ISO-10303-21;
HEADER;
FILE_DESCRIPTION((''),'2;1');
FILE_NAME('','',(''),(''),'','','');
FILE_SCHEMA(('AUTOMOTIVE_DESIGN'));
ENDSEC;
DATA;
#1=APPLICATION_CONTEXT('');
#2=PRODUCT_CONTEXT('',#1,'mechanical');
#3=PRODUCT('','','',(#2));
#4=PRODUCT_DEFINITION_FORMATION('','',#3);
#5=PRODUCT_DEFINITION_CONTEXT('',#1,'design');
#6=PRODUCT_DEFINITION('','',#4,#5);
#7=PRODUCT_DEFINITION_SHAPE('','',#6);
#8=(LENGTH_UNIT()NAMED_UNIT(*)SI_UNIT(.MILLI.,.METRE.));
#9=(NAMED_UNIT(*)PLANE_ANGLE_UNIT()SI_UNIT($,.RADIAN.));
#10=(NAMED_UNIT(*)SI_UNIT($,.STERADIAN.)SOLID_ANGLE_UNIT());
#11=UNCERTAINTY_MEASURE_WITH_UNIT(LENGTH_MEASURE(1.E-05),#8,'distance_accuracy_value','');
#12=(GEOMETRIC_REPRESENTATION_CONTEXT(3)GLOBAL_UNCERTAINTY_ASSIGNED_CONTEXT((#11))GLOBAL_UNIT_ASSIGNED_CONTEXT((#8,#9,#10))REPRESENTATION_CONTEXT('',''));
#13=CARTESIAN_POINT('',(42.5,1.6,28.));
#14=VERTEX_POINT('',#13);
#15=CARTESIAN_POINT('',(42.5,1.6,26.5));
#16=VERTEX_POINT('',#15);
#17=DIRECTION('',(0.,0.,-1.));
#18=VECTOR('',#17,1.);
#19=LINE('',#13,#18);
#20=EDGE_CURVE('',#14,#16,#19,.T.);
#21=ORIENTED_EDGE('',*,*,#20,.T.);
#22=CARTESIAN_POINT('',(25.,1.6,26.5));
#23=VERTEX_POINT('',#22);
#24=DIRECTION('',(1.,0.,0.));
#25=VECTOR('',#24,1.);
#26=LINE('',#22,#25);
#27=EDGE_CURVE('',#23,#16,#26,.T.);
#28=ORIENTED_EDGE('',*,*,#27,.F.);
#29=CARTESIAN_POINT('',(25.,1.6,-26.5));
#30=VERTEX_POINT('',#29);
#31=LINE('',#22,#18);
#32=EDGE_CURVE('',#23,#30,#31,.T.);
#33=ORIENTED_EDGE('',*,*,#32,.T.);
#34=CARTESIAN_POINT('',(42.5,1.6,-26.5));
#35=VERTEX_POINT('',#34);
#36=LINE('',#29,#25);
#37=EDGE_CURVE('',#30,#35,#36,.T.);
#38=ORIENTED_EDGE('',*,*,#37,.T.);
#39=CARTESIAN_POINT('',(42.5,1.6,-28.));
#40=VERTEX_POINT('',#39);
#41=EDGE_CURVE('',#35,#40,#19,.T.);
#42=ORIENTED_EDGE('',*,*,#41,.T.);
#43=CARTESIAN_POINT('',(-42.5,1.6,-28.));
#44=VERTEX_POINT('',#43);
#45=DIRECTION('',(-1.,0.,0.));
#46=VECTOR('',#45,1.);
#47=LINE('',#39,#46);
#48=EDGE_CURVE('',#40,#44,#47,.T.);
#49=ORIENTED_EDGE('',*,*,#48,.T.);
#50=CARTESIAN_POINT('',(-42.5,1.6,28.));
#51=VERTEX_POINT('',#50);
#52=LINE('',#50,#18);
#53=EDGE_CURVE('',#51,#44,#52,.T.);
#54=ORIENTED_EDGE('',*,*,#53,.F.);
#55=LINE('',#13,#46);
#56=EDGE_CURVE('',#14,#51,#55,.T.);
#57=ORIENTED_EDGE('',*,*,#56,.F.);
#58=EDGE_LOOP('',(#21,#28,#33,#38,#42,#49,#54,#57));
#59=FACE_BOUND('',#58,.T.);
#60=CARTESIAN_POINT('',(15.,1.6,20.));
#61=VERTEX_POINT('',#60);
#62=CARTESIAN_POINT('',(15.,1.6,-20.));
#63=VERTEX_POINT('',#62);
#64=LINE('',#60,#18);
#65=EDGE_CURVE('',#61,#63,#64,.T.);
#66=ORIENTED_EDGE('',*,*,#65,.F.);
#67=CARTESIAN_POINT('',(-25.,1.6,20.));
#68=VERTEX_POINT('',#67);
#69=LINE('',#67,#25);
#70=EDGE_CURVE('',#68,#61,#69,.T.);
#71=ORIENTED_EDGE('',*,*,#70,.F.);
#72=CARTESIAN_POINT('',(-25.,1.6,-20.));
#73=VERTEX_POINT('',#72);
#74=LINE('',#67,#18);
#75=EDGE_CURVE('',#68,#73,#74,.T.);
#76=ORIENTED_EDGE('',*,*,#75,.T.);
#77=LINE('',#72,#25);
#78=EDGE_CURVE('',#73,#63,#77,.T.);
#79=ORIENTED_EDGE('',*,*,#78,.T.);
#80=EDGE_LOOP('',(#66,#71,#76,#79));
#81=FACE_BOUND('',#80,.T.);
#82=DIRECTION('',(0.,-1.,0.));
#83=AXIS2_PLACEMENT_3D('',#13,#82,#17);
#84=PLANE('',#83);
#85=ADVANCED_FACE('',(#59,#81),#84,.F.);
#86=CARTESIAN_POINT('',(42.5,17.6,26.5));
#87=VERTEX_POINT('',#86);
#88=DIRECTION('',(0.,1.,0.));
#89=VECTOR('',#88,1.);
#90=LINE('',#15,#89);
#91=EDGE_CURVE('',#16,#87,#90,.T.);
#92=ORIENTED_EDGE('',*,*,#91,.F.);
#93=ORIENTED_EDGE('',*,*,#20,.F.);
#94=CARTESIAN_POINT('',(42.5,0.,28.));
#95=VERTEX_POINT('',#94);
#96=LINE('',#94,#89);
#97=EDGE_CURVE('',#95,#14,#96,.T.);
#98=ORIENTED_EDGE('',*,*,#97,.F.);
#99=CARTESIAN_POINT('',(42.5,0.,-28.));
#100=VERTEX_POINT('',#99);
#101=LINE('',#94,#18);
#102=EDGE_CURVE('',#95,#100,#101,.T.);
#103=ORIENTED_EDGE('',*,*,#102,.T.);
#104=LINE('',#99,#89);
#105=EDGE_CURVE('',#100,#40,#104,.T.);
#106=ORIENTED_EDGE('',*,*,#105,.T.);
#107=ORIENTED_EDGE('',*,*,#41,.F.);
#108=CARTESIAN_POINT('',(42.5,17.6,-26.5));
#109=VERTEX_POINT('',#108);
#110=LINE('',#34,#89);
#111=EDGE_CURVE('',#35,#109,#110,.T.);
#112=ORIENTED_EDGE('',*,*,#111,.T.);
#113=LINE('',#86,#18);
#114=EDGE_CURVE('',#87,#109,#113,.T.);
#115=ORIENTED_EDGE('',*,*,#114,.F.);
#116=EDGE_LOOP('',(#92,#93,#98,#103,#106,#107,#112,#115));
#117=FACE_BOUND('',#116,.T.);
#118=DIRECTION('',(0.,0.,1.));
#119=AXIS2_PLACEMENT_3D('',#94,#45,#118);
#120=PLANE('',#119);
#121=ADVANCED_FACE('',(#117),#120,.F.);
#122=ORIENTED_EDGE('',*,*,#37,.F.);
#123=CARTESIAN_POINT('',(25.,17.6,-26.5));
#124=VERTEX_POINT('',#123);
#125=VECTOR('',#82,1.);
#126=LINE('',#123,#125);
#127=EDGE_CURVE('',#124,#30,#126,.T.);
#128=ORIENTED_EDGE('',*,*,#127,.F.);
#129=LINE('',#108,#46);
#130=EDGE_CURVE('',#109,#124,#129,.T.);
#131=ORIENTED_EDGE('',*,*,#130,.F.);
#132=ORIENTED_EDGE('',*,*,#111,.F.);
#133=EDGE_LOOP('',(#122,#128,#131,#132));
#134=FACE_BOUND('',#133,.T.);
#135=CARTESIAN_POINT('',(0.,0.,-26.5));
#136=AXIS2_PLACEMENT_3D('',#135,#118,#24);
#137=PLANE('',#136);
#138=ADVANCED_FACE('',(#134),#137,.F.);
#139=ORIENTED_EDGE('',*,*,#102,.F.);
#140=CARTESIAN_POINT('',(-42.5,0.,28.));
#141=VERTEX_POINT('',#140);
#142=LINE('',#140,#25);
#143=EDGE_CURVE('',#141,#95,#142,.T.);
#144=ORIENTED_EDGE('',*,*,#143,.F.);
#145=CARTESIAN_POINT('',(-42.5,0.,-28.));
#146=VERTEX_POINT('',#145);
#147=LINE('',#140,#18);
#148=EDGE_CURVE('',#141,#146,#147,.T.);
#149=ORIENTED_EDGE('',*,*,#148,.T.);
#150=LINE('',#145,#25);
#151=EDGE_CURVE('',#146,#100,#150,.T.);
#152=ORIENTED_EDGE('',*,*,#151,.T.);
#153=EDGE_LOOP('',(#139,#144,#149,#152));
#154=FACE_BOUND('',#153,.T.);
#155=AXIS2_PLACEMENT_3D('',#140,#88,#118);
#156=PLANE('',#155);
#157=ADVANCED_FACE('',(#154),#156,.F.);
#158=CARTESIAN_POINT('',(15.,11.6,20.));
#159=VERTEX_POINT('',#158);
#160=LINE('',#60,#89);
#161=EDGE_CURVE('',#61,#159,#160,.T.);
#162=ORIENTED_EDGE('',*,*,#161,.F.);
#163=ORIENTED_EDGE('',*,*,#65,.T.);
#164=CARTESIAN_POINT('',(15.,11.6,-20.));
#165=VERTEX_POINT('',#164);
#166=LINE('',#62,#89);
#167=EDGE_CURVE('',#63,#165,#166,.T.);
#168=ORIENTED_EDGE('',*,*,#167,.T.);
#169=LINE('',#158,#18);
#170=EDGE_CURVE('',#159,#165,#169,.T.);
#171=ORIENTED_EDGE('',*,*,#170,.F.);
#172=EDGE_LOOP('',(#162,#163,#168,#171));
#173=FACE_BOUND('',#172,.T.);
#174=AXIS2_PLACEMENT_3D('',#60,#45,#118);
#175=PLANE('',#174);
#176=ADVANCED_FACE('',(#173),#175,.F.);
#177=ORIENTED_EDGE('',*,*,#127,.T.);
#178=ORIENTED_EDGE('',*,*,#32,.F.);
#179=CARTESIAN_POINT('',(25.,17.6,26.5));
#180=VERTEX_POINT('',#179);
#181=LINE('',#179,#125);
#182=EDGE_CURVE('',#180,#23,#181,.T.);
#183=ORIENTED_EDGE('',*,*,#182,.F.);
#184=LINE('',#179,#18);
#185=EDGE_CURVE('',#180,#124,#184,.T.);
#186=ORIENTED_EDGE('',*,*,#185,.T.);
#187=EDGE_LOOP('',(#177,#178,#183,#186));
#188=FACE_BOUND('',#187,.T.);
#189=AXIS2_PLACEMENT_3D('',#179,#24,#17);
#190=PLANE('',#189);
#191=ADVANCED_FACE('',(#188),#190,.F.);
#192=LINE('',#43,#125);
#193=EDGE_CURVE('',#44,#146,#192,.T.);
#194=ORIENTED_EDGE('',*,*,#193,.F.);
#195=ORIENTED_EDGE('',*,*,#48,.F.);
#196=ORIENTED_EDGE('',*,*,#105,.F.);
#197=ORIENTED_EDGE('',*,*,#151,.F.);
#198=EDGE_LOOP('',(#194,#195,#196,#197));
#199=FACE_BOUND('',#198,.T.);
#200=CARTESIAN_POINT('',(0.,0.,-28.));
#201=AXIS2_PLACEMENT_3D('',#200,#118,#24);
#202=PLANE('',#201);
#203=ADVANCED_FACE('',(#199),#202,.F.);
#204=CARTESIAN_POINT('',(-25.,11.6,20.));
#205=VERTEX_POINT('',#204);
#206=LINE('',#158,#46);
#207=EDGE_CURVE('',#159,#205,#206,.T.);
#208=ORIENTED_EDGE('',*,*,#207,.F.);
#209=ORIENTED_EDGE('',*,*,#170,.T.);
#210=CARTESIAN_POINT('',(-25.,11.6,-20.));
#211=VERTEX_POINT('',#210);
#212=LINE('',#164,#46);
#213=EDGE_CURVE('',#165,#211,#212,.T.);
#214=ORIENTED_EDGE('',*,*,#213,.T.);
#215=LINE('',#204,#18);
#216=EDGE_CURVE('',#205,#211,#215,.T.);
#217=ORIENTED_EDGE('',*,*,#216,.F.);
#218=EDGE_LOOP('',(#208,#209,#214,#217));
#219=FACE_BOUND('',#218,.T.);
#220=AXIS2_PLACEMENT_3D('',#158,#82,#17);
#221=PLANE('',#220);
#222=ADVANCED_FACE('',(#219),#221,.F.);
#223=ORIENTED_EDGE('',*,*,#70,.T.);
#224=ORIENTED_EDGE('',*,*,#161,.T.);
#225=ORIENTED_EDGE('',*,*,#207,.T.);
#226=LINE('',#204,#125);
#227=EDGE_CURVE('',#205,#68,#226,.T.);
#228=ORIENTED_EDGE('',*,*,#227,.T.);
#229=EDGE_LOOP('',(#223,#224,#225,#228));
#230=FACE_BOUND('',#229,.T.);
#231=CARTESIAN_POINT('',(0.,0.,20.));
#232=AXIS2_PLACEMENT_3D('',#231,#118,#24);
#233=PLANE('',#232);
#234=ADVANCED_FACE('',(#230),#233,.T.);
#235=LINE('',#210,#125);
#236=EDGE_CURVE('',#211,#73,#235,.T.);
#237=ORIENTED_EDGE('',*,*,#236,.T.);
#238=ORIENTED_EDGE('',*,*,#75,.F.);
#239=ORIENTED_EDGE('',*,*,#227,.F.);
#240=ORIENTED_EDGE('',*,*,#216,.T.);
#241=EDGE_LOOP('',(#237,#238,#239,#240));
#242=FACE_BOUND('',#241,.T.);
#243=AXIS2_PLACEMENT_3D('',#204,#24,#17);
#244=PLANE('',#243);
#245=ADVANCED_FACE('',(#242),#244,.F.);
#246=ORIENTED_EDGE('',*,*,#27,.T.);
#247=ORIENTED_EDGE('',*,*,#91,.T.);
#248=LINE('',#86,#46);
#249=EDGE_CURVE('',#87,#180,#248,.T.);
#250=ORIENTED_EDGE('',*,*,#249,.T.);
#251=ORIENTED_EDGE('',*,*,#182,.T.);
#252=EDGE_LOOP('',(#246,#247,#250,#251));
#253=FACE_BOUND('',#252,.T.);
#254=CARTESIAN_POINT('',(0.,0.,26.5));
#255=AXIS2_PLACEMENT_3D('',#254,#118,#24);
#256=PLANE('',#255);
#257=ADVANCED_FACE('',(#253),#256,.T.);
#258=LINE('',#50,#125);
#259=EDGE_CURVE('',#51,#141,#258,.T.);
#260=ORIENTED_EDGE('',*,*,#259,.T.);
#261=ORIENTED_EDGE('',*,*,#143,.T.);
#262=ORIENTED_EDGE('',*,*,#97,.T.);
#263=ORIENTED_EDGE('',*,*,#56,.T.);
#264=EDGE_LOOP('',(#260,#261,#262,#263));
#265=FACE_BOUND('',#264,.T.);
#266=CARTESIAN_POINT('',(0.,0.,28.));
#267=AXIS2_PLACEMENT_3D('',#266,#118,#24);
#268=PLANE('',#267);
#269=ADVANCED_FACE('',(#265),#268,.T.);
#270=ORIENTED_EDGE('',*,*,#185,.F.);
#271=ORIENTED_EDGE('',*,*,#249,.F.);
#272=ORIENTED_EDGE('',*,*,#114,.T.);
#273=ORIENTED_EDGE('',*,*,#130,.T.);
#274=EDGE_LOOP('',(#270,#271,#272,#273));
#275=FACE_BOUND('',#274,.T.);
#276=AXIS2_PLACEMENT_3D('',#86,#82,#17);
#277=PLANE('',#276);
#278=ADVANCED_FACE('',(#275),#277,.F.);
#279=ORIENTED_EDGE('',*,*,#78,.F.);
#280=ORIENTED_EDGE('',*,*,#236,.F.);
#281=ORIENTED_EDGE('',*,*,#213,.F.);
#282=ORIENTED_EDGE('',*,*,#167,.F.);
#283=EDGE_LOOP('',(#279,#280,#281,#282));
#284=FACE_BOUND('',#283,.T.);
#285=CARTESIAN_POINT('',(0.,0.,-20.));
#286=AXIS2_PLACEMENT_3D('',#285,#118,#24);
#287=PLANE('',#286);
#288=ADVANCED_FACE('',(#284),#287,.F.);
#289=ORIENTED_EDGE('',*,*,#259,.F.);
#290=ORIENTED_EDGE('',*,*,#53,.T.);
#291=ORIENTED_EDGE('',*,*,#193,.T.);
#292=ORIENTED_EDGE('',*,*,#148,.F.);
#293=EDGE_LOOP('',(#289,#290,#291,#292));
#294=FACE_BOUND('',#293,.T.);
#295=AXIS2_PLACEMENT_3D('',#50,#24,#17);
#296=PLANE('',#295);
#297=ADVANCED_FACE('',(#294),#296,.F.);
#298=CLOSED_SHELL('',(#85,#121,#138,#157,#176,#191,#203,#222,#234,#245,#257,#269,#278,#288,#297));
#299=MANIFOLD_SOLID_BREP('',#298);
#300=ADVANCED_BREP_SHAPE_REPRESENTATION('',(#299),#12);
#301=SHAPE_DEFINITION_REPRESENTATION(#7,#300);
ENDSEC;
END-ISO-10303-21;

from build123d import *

# Parameters (mm, degrees)
SK_BOARD_W   = 85
SK_BOARD_H   = 1.6
BOARD_DEPTH  = 28
SK_COOLER_W  = 40
SK_COOLER_H  = 10
COOLER_DEPTH = 20
SK_PORTS_W   = 17.5
SK_PORTS_H   = 16
PORTS_DEPTH  = 26.5


with BuildPart() as part:
    # SK_Board → Board (new, symmetric)
    with BuildSketch(Plane.XY):
        with Locations((0, 0.8)):
            Rectangle(SK_BOARD_W, SK_BOARD_H)
    extrude(amount=BOARD_DEPTH, both=True)

    # SK_Cooler → Cooler (add, symmetric)
    with BuildSketch(Plane.XY):
        with Locations((-5, 6.6)):
            Rectangle(SK_COOLER_W, SK_COOLER_H)
    extrude(amount=COOLER_DEPTH, both=True)

    # SK_Ports → Ports (add, symmetric)
    with BuildSketch(Plane.XY):
        with Locations((33.75, 9.6)):
            Rectangle(SK_PORTS_W, SK_PORTS_H)
    extrude(amount=PORTS_DEPTH, both=True)


solid = part.part
